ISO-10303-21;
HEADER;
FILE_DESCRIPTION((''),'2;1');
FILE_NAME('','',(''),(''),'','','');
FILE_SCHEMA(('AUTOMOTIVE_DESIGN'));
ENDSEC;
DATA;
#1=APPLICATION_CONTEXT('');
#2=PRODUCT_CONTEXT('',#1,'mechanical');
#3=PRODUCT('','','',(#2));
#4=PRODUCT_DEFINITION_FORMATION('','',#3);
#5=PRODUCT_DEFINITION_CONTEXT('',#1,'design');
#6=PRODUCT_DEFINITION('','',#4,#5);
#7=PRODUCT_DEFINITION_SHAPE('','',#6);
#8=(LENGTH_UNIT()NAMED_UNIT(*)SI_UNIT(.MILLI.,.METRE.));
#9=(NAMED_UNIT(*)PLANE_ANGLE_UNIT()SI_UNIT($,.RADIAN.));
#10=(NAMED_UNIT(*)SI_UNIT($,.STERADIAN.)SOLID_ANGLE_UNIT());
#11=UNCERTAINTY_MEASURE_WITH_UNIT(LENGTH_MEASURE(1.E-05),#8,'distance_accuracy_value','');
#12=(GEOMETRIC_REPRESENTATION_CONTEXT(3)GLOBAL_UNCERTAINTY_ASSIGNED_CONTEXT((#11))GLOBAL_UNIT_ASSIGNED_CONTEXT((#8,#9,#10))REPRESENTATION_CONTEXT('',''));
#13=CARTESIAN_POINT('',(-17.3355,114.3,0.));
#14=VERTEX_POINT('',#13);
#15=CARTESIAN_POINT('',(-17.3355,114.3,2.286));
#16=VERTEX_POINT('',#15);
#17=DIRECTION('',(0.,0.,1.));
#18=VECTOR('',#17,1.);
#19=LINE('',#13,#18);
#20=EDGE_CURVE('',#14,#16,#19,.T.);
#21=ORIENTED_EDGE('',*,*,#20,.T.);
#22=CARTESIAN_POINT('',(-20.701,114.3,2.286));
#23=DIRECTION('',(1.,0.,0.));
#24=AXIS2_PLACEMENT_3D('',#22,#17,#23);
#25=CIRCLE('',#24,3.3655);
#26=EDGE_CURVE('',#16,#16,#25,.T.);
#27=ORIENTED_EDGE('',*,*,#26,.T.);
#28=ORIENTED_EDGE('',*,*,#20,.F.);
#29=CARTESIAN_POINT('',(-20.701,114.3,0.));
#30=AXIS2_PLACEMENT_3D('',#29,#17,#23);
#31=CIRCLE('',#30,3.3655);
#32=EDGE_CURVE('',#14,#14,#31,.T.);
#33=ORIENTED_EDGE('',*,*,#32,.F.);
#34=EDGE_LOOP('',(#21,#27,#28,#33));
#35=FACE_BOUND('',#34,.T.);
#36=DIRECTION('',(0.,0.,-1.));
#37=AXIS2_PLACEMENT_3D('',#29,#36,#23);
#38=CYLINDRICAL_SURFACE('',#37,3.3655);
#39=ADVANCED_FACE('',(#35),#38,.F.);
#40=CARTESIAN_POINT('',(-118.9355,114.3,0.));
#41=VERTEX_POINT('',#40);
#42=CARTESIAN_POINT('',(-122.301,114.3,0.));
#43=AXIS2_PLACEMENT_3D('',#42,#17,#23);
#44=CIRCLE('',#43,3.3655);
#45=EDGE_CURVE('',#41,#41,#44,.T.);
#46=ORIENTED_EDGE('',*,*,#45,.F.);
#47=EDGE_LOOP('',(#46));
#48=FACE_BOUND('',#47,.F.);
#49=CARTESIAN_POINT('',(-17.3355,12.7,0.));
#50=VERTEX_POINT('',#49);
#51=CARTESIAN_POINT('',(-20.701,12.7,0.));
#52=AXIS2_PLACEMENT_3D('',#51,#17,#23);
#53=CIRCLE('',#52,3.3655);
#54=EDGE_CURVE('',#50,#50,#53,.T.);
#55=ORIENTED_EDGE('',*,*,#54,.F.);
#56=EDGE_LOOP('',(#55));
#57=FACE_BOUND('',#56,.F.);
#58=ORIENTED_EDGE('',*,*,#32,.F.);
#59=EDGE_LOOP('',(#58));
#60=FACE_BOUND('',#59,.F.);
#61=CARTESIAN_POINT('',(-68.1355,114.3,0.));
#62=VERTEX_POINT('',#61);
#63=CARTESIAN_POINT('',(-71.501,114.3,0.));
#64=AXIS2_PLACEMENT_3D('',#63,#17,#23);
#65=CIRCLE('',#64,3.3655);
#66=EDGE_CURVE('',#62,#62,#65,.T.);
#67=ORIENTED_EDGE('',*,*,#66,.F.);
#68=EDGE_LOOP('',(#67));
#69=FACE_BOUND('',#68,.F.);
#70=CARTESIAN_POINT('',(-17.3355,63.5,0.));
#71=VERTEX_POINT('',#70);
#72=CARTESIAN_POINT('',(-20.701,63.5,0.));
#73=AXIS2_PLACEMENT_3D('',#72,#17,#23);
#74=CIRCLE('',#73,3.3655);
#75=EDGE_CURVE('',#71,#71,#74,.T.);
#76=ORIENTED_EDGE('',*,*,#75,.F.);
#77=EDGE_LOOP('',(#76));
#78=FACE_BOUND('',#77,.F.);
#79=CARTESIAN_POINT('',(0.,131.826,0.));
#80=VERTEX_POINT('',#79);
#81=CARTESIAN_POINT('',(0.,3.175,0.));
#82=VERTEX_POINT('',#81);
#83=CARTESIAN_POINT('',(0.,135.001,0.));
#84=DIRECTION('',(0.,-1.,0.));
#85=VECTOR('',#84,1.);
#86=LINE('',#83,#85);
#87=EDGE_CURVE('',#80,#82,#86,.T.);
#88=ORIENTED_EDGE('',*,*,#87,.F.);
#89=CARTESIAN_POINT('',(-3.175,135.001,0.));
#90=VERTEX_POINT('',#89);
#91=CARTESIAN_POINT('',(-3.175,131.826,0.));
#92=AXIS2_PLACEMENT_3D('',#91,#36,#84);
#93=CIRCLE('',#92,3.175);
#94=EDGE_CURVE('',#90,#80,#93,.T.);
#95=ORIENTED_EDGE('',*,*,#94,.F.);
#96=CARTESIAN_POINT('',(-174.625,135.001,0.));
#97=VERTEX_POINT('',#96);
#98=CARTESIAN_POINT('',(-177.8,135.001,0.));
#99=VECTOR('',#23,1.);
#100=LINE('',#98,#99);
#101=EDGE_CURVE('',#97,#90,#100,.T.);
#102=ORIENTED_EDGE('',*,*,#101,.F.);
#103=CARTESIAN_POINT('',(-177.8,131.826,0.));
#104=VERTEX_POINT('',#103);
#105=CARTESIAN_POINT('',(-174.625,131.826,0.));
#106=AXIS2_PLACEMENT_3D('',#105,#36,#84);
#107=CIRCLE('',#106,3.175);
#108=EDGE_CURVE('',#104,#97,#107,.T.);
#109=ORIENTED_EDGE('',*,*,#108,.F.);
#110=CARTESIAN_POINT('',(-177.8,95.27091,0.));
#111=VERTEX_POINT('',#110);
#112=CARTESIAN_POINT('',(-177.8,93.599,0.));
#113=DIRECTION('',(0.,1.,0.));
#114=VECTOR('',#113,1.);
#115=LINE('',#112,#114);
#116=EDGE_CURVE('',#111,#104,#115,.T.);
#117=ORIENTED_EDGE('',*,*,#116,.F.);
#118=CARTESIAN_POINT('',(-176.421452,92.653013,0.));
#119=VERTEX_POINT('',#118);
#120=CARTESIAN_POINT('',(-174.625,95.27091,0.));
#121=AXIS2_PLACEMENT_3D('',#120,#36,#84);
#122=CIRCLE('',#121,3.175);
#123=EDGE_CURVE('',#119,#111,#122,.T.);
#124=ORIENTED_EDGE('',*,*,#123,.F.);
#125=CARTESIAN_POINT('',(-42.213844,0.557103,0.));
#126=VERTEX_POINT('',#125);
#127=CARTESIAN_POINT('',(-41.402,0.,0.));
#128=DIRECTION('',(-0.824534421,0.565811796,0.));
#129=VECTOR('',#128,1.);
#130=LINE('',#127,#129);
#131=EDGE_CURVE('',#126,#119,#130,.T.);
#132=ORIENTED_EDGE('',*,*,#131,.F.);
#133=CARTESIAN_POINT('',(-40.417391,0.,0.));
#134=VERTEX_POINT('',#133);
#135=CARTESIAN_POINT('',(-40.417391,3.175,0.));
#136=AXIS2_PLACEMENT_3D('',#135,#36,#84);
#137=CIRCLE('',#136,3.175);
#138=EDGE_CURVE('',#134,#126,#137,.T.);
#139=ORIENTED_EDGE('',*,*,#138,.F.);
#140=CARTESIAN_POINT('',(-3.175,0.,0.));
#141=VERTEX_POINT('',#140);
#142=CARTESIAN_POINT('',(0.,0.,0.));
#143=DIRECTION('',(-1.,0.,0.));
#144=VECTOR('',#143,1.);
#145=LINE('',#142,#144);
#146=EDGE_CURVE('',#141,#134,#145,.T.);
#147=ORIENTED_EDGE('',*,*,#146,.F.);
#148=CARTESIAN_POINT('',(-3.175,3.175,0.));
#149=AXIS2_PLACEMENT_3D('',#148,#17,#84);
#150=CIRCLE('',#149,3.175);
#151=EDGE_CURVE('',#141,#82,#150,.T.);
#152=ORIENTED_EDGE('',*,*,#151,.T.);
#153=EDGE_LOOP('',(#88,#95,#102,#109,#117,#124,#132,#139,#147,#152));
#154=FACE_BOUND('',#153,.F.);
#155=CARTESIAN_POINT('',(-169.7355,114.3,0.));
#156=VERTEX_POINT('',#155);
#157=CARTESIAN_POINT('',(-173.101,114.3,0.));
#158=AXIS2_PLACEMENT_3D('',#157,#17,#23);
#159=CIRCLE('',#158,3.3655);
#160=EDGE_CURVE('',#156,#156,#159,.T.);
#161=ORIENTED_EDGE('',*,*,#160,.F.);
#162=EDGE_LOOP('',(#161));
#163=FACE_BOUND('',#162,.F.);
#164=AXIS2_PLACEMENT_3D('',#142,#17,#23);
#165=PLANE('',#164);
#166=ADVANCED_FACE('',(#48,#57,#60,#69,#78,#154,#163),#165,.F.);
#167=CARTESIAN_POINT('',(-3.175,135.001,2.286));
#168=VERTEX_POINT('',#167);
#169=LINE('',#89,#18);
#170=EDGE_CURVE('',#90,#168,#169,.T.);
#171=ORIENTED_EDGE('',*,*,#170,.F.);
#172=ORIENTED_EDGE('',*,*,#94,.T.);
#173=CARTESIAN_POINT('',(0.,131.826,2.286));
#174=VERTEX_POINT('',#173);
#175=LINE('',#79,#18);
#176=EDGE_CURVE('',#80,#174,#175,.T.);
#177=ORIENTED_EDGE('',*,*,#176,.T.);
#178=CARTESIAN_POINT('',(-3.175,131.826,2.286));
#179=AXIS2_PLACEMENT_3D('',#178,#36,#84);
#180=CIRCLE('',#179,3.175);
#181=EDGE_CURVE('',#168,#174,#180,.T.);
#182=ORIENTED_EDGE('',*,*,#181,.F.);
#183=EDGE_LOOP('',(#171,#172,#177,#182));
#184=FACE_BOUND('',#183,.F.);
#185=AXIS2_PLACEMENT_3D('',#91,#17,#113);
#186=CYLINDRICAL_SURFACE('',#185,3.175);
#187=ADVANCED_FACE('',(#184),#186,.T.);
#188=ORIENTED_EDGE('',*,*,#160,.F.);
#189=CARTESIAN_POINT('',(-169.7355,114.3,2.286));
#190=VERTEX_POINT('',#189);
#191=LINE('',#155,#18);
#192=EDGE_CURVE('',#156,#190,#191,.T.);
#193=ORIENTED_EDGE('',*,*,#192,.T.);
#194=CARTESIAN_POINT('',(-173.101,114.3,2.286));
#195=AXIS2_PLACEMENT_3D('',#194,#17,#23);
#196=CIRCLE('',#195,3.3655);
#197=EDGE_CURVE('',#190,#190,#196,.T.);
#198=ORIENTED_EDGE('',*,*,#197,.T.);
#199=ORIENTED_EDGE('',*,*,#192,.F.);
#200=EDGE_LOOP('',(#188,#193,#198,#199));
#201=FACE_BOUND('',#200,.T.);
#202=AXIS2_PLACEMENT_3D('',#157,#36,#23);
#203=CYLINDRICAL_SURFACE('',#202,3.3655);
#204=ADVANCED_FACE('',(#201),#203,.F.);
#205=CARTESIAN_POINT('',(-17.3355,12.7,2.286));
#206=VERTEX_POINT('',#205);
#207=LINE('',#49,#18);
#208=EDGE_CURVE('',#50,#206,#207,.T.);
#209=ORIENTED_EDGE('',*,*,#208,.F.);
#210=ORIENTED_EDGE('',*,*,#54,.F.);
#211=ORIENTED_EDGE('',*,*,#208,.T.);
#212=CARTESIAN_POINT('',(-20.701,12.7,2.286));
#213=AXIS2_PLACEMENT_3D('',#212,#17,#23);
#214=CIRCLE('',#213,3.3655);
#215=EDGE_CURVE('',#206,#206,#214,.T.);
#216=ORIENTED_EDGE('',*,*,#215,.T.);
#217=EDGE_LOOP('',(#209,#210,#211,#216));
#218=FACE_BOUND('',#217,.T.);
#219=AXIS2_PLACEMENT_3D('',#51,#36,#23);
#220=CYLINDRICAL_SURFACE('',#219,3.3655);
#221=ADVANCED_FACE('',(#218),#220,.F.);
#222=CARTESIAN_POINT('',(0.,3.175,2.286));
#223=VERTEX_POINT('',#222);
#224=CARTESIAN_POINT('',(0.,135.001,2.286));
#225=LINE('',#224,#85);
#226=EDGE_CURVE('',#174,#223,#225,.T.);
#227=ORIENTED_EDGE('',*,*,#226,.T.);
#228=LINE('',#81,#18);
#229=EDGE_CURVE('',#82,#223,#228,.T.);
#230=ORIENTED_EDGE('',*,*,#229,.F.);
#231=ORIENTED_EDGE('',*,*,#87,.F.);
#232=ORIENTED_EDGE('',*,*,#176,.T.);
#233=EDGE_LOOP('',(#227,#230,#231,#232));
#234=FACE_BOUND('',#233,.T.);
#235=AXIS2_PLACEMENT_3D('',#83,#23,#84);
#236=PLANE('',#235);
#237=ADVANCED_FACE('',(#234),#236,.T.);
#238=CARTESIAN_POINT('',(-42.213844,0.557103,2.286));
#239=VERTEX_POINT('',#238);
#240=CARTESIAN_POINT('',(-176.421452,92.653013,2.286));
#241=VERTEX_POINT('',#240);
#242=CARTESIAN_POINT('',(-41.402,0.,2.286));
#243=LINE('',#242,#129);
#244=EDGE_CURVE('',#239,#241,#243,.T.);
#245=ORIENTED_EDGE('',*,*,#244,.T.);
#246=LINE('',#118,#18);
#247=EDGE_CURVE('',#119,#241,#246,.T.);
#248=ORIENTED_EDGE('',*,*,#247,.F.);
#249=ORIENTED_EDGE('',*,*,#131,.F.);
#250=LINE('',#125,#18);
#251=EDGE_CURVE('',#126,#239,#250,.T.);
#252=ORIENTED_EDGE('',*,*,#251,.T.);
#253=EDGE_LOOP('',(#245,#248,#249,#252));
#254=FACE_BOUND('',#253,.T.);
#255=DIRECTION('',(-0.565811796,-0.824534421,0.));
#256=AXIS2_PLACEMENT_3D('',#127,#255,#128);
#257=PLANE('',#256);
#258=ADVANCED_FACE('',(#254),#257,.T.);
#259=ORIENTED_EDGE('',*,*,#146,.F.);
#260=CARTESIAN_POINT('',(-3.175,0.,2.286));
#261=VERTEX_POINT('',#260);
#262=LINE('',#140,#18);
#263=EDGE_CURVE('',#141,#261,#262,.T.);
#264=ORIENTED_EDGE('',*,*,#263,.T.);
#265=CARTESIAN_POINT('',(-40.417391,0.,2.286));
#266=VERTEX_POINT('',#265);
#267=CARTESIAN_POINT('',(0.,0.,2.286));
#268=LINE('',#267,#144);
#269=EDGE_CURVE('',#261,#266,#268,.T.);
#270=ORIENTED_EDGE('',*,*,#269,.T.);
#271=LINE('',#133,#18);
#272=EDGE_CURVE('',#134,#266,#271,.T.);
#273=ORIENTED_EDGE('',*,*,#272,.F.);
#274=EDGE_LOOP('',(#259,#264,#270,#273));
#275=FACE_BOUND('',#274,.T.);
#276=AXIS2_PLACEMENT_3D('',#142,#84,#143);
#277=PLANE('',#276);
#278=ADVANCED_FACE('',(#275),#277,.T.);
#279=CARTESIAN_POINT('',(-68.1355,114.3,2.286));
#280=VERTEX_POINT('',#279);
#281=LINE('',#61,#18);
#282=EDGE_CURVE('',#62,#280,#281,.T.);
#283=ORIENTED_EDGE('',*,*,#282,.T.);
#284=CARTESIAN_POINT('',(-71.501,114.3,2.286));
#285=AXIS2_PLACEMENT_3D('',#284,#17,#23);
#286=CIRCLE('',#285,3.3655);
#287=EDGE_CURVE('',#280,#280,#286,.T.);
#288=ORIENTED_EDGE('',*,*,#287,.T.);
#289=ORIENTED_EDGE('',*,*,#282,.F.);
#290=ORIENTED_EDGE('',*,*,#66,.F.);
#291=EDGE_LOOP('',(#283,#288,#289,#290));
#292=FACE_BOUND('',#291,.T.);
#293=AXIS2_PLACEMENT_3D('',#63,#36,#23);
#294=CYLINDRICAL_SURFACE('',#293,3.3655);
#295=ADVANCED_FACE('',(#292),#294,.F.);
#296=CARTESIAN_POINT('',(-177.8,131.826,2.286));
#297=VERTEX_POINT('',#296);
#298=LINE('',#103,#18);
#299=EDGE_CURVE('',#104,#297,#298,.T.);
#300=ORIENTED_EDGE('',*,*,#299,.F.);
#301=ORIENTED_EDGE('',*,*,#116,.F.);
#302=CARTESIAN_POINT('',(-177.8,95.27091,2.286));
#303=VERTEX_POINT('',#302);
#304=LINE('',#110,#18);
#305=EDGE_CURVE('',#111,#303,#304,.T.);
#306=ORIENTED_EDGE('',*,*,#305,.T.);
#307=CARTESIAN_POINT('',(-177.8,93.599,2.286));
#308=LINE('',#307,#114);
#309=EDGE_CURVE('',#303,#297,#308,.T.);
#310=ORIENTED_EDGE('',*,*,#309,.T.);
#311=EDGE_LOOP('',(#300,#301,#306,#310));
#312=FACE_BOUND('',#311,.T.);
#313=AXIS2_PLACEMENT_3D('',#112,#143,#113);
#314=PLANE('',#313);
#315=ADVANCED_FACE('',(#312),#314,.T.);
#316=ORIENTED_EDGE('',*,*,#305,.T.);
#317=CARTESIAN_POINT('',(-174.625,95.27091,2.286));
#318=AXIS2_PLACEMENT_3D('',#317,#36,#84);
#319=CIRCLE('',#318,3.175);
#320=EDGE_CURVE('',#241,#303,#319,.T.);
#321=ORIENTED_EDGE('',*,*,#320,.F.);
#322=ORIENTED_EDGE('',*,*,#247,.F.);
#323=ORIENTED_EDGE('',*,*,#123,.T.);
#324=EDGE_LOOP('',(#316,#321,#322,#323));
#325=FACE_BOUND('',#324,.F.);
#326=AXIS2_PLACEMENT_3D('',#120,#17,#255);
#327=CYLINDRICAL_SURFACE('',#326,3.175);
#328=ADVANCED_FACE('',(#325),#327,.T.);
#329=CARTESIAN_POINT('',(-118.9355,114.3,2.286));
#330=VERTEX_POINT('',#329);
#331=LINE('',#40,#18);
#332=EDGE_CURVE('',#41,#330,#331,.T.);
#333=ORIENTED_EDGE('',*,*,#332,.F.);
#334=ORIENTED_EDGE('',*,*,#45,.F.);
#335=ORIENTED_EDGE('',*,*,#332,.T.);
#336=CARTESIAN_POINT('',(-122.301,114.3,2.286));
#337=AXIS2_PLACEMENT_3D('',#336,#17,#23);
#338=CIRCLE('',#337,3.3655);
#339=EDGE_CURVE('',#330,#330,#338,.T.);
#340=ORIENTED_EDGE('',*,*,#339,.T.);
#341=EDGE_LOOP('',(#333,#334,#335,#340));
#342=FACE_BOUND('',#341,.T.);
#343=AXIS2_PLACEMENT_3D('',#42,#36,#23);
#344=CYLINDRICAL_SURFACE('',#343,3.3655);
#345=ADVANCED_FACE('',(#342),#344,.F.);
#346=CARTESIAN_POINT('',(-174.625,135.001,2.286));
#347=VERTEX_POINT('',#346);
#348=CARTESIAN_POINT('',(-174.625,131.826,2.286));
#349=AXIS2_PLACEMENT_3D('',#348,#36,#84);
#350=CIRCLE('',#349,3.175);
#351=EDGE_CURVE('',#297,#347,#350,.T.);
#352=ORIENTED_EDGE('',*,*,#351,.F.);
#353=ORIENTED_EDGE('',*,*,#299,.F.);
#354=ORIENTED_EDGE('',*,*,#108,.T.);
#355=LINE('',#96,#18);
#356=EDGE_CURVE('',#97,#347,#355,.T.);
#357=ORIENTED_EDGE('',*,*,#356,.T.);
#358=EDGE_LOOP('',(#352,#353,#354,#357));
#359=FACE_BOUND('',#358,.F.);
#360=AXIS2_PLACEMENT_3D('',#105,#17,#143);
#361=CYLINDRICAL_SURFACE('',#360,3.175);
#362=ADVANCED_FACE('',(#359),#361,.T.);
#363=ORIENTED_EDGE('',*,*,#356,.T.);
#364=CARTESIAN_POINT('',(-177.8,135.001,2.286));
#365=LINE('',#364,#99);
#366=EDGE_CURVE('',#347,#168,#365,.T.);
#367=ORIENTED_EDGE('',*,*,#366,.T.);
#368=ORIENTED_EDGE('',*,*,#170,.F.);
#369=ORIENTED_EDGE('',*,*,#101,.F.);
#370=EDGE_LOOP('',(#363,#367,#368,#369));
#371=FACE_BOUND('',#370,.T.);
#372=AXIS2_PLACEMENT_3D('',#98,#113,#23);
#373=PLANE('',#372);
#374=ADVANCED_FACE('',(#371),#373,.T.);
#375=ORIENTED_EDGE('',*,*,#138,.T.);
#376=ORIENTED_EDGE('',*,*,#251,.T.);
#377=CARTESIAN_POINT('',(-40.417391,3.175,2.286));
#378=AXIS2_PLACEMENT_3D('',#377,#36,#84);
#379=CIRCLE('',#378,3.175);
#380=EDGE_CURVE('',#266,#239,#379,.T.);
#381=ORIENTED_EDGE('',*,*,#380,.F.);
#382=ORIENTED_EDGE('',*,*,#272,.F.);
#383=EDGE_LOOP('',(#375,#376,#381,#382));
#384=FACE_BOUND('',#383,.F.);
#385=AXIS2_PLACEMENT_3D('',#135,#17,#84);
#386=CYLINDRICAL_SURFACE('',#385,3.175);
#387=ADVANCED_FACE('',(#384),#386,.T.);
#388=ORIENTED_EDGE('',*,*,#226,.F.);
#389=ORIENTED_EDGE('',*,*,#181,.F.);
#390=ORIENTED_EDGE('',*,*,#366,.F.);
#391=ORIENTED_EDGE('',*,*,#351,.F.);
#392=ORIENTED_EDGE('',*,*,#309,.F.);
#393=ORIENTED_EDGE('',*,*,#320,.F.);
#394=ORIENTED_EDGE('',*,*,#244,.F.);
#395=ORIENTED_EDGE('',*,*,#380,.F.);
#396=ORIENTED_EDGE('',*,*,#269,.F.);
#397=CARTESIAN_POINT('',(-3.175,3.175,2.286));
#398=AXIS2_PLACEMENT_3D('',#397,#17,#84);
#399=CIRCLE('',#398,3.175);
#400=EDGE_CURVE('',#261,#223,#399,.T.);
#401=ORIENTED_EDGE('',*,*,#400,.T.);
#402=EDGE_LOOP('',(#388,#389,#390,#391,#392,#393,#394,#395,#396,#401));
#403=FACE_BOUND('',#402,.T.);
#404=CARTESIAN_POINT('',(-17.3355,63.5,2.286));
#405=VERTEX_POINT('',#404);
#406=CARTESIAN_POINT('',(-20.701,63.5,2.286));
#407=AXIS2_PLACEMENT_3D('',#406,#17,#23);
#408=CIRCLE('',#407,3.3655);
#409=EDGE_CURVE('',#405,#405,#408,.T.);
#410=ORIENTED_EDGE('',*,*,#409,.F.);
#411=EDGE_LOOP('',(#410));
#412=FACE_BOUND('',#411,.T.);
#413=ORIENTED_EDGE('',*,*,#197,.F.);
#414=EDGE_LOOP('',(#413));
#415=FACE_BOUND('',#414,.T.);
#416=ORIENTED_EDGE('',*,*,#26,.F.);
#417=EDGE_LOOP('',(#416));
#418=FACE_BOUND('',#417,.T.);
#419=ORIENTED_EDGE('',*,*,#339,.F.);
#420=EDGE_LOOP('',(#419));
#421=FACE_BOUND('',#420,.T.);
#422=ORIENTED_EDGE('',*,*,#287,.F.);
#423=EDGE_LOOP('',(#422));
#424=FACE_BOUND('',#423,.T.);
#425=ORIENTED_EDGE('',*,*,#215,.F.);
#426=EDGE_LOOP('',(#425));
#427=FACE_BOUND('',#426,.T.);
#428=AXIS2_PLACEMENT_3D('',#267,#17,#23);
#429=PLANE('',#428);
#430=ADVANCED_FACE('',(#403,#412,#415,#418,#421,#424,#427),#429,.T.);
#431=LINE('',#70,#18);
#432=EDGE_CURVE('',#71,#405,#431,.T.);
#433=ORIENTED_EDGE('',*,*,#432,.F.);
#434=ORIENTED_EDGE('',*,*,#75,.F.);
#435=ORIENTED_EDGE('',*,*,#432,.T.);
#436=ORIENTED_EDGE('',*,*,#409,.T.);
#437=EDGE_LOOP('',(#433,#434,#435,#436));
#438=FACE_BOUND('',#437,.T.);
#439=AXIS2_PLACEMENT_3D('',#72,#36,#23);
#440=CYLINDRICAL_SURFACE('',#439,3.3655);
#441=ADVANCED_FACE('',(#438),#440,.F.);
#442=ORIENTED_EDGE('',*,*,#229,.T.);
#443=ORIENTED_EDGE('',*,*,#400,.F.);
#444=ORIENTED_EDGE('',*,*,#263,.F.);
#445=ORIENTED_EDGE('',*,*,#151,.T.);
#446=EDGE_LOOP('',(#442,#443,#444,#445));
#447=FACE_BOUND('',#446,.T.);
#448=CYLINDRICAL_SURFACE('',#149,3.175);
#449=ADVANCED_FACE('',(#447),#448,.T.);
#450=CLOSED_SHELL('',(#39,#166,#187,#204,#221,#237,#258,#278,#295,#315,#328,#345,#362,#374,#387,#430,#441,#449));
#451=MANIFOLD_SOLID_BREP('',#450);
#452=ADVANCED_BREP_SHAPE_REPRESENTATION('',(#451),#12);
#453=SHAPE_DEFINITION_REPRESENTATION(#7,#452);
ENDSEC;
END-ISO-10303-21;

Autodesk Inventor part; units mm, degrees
ref_plane "YZ Plane" through (0, 0, 0) normal (1, 0, 0) x (0, 1, 0)
ref_plane "XZ Plane" through (0, 0, 0) normal (0, 1, 0) x (-1, 0, 0)
ref_plane "XY Plane" through (0, 0, 0) normal (0, 0, 1) x (1, 0, 0)
sketch "Sketch1" plane through (0, 0, 0) normal (0, 0, 1) x (1, 0, 0)
  line L0 (0, 0) -> (-41.402, 0)
  line L1 (-41.402, 0) -> (-177.8, 93.599)
  line L2 (-177.8, 93.599) -> (-177.8, 135.001)
  line L3 (-177.8, 135.001) -> (0, 135.001)
  line L4 (0, 135.001) -> (0, 0)
  circle A0 centre (-20.701, 12.7) radius 3.3655
  circle A1 centre (-20.701, 63.5) radius 3.3655
  circle A2 centre (-20.701, 114.3) radius 3.3655
  circle A3 centre (-71.501, 114.3) radius 3.3655
  circle A4 centre (-122.301, 114.3) radius 3.3655
  circle A5 centre (-173.101, 114.3) radius 3.3655
  dimension "d0" = 41.402
  dimension "d1" = 41.402
  dimension "d2" = 177.8
  dimension "d3" = 135.001
  dimension "d4" = 6.731
  dimension "d6" = 20.701
  dimension "d9" = 50.8
  dimension "d14" = 20.701
  dimension "d15" = 20.701
  dimension "d16" = 50.8
  dimension "d17" = 12.7
  dimension "d20" = 50.8
  dimension "d25" = 4.699
extrude "Extrusion1" add sketch "Sketch1" along normal blind 2.286
fillet "Fillet1" radius 3.175 5 edges at (0, 135.001, 1.143) (0, 0, 1.143) (-41.402, 0, 1.143) (-177.8, 93.599, 1.143) (-177.8, 135.001, 1.143)
properties part number "super5" material "Aluminum 6061"
